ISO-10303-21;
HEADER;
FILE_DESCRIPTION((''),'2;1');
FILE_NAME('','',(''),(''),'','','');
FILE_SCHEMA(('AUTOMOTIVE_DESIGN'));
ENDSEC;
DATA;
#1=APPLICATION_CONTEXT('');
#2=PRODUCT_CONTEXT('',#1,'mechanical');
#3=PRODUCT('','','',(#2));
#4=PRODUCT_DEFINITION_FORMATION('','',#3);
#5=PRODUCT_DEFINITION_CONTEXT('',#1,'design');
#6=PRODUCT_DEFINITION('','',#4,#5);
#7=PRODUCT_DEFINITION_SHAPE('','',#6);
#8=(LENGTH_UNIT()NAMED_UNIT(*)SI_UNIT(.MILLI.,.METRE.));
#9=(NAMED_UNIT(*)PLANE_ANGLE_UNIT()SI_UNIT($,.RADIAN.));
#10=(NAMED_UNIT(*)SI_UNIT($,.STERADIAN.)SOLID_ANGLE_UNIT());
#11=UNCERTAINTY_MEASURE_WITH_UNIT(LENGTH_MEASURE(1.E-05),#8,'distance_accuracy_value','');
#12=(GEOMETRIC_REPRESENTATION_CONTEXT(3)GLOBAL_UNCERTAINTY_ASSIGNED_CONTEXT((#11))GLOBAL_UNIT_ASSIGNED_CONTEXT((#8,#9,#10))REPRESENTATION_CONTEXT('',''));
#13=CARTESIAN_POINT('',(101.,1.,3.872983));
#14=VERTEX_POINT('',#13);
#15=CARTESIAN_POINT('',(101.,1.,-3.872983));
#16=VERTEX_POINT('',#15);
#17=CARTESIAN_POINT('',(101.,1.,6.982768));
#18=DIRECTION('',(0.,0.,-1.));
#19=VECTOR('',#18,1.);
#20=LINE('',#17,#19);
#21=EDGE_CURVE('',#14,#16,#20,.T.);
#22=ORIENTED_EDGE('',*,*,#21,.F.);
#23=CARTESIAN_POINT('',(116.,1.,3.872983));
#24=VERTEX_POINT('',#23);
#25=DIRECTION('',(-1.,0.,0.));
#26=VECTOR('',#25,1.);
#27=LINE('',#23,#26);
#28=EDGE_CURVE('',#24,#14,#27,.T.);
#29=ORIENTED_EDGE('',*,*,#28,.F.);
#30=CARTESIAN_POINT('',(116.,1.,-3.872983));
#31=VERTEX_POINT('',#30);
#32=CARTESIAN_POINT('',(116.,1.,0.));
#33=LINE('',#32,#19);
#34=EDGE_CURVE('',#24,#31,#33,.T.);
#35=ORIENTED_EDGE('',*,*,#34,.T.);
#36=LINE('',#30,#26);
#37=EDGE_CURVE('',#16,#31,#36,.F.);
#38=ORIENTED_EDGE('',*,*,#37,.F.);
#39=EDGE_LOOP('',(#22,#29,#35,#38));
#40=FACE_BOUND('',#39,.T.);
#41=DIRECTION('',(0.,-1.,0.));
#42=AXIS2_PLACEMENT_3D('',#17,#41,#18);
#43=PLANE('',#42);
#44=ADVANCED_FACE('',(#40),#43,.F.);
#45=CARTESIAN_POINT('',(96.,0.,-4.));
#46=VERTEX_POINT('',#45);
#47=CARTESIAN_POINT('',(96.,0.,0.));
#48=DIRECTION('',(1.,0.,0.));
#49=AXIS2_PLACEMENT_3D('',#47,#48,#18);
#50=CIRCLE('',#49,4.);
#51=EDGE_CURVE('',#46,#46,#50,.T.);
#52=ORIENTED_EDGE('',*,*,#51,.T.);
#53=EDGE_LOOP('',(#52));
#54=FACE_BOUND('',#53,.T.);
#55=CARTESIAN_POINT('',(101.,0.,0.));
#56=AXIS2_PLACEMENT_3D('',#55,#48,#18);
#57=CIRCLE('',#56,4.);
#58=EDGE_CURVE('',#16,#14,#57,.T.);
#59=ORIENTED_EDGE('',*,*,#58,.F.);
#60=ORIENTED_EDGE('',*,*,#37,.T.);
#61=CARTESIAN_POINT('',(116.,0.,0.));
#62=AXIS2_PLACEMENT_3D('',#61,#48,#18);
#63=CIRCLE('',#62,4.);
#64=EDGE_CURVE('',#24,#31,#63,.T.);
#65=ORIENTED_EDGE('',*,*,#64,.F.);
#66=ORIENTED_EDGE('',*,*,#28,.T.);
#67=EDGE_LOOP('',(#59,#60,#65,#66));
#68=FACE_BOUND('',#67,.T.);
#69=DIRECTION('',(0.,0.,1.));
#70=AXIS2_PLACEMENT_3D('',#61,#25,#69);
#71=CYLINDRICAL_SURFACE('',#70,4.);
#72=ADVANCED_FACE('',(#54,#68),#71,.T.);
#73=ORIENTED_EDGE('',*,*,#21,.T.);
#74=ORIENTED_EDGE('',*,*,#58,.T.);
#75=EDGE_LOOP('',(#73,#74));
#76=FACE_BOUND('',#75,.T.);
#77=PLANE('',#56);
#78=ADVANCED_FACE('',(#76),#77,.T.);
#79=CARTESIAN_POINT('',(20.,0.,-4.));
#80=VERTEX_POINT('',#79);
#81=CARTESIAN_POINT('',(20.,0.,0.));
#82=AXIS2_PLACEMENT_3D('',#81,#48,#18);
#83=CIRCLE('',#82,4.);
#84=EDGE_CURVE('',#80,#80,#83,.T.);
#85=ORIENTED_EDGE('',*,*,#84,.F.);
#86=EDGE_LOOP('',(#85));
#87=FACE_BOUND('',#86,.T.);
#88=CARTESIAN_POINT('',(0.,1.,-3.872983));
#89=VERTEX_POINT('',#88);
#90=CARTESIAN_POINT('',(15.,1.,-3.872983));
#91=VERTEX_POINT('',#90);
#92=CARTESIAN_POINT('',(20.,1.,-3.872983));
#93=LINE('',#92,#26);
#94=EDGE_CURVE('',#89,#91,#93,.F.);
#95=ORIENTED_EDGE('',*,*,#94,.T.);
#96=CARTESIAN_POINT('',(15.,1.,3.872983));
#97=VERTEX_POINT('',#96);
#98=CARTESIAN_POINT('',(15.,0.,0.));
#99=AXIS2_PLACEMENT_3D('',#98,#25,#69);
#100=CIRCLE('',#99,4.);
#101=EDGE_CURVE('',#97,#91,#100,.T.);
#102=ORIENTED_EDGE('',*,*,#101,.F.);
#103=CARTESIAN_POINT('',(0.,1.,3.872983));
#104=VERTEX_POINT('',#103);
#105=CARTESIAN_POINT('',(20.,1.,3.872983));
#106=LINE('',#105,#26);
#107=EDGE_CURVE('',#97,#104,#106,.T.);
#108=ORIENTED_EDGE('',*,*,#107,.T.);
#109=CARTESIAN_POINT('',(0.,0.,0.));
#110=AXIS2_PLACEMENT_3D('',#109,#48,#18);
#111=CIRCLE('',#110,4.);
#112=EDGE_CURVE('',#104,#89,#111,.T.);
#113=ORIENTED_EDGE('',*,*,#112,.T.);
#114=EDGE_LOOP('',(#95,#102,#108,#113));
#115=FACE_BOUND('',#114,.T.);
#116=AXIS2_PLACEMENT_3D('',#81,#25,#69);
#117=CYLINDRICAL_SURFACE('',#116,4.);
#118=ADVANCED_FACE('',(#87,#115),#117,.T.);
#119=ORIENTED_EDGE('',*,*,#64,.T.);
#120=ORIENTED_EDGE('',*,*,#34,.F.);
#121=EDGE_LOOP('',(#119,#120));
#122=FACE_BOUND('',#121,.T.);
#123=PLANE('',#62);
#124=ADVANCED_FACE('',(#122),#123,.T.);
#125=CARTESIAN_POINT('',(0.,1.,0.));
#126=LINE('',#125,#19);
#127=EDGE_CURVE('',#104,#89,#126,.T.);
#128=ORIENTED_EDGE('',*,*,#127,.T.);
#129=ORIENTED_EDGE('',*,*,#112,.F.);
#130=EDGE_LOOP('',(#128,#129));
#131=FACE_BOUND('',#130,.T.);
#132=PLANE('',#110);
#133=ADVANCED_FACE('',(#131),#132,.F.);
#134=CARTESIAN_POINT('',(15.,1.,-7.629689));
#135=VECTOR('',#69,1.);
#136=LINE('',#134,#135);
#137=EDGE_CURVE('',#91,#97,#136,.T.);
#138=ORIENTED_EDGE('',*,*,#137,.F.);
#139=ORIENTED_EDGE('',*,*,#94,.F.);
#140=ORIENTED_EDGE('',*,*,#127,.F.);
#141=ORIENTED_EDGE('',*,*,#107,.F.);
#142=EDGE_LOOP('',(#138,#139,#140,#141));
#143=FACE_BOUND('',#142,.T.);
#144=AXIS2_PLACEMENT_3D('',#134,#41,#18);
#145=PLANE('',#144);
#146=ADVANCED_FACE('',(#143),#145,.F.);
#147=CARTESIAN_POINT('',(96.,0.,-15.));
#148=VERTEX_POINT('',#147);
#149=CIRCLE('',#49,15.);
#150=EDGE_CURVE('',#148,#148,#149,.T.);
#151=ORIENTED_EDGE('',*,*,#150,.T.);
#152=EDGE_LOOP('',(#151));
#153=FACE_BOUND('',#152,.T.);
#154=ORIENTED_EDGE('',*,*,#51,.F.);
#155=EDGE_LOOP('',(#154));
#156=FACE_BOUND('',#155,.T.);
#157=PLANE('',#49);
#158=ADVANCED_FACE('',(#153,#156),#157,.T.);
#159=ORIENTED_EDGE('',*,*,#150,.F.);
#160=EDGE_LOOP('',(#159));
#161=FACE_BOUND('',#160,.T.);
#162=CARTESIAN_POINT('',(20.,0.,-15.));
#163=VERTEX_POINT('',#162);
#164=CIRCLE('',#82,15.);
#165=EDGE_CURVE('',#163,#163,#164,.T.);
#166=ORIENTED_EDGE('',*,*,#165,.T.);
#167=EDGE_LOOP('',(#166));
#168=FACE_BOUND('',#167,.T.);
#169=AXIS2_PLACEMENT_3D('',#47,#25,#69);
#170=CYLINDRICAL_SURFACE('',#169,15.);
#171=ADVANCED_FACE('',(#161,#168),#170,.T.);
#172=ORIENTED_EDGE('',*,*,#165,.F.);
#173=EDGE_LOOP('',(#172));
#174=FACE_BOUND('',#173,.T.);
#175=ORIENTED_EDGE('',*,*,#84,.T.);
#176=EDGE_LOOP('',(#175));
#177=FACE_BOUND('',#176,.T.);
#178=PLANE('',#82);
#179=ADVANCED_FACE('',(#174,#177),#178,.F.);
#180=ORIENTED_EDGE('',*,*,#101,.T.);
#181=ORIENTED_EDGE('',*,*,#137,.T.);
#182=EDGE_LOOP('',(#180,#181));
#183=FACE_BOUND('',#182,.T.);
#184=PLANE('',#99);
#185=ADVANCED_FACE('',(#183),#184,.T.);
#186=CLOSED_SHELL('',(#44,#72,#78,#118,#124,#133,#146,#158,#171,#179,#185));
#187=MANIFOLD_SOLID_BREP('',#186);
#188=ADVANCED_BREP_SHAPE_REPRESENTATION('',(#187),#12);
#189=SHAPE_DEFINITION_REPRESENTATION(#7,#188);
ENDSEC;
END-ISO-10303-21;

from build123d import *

# Parameters (mm, degrees)
ESBO_O8_R                = 4
RESSALTO_EXTRUS_O4_DEPTH = 20
ESBO_O9_R                = 15
RESSALTO_EXTRUS_O5_DEPTH = 76
ESBO_O10_R               = 4
RESSALTO_EXTRUS_O6_DEPTH = 20
ESBO_O11_W               = 14.978284248
ESBO_O11_H               = 3
CORTE_EXTRUS_O1_DEPTH    = 15
ESBO_O12_W               = 14.281633968
ESBO_O12_H               = 3
CORTE_EXTRUS_O2_DEPTH    = 15


with BuildPart() as part:
    # Esboço8 → Ressalto-extrusão4 (new body)
    with BuildSketch(Plane(origin=(0, 0, 0), x_dir=(0, 0, -1), z_dir=(1, 0, 0))):
        Circle(ESBO_O8_R)
    extrude(amount=RESSALTO_EXTRUS_O4_DEPTH)

    # Esboço9 → Ressalto-extrusão5 (add)
    with BuildSketch(Plane(origin=(20, 0, 0), x_dir=(0, 0, -1), z_dir=(1, 0, 0))):
        Circle(ESBO_O9_R)
    extrude(amount=RESSALTO_EXTRUS_O5_DEPTH)

    # Esboço10 → Ressalto-extrusão6 (add)
    with BuildSketch(Plane(origin=(96, 0, 0), x_dir=(0, 0, -1), z_dir=(1, 0, 0))):
        Circle(ESBO_O10_R)
    extrude(amount=RESSALTO_EXTRUS_O6_DEPTH)

    # Esboço11 → Corte-extrusão1 (cut)
    with BuildSketch(Plane.ZY):
        with Locations((-0.140546903, 2.5)):
            Rectangle(ESBO_O11_W, ESBO_O11_H)
    extrude(amount=-CORTE_EXTRUS_O1_DEPTH, mode=Mode.SUBTRACT)

    # Esboço12 → Corte-extrusão2 (cut)
    with BuildSketch(Plane(origin=(116, 0, 0), x_dir=(0, 0, -1), z_dir=(1, 0, 0))):
        with Locations((0.158049163, 2.5)):
            Rectangle(ESBO_O12_W, ESBO_O12_H)
    extrude(amount=-CORTE_EXTRUS_O2_DEPTH, mode=Mode.SUBTRACT)


solid = part.part
